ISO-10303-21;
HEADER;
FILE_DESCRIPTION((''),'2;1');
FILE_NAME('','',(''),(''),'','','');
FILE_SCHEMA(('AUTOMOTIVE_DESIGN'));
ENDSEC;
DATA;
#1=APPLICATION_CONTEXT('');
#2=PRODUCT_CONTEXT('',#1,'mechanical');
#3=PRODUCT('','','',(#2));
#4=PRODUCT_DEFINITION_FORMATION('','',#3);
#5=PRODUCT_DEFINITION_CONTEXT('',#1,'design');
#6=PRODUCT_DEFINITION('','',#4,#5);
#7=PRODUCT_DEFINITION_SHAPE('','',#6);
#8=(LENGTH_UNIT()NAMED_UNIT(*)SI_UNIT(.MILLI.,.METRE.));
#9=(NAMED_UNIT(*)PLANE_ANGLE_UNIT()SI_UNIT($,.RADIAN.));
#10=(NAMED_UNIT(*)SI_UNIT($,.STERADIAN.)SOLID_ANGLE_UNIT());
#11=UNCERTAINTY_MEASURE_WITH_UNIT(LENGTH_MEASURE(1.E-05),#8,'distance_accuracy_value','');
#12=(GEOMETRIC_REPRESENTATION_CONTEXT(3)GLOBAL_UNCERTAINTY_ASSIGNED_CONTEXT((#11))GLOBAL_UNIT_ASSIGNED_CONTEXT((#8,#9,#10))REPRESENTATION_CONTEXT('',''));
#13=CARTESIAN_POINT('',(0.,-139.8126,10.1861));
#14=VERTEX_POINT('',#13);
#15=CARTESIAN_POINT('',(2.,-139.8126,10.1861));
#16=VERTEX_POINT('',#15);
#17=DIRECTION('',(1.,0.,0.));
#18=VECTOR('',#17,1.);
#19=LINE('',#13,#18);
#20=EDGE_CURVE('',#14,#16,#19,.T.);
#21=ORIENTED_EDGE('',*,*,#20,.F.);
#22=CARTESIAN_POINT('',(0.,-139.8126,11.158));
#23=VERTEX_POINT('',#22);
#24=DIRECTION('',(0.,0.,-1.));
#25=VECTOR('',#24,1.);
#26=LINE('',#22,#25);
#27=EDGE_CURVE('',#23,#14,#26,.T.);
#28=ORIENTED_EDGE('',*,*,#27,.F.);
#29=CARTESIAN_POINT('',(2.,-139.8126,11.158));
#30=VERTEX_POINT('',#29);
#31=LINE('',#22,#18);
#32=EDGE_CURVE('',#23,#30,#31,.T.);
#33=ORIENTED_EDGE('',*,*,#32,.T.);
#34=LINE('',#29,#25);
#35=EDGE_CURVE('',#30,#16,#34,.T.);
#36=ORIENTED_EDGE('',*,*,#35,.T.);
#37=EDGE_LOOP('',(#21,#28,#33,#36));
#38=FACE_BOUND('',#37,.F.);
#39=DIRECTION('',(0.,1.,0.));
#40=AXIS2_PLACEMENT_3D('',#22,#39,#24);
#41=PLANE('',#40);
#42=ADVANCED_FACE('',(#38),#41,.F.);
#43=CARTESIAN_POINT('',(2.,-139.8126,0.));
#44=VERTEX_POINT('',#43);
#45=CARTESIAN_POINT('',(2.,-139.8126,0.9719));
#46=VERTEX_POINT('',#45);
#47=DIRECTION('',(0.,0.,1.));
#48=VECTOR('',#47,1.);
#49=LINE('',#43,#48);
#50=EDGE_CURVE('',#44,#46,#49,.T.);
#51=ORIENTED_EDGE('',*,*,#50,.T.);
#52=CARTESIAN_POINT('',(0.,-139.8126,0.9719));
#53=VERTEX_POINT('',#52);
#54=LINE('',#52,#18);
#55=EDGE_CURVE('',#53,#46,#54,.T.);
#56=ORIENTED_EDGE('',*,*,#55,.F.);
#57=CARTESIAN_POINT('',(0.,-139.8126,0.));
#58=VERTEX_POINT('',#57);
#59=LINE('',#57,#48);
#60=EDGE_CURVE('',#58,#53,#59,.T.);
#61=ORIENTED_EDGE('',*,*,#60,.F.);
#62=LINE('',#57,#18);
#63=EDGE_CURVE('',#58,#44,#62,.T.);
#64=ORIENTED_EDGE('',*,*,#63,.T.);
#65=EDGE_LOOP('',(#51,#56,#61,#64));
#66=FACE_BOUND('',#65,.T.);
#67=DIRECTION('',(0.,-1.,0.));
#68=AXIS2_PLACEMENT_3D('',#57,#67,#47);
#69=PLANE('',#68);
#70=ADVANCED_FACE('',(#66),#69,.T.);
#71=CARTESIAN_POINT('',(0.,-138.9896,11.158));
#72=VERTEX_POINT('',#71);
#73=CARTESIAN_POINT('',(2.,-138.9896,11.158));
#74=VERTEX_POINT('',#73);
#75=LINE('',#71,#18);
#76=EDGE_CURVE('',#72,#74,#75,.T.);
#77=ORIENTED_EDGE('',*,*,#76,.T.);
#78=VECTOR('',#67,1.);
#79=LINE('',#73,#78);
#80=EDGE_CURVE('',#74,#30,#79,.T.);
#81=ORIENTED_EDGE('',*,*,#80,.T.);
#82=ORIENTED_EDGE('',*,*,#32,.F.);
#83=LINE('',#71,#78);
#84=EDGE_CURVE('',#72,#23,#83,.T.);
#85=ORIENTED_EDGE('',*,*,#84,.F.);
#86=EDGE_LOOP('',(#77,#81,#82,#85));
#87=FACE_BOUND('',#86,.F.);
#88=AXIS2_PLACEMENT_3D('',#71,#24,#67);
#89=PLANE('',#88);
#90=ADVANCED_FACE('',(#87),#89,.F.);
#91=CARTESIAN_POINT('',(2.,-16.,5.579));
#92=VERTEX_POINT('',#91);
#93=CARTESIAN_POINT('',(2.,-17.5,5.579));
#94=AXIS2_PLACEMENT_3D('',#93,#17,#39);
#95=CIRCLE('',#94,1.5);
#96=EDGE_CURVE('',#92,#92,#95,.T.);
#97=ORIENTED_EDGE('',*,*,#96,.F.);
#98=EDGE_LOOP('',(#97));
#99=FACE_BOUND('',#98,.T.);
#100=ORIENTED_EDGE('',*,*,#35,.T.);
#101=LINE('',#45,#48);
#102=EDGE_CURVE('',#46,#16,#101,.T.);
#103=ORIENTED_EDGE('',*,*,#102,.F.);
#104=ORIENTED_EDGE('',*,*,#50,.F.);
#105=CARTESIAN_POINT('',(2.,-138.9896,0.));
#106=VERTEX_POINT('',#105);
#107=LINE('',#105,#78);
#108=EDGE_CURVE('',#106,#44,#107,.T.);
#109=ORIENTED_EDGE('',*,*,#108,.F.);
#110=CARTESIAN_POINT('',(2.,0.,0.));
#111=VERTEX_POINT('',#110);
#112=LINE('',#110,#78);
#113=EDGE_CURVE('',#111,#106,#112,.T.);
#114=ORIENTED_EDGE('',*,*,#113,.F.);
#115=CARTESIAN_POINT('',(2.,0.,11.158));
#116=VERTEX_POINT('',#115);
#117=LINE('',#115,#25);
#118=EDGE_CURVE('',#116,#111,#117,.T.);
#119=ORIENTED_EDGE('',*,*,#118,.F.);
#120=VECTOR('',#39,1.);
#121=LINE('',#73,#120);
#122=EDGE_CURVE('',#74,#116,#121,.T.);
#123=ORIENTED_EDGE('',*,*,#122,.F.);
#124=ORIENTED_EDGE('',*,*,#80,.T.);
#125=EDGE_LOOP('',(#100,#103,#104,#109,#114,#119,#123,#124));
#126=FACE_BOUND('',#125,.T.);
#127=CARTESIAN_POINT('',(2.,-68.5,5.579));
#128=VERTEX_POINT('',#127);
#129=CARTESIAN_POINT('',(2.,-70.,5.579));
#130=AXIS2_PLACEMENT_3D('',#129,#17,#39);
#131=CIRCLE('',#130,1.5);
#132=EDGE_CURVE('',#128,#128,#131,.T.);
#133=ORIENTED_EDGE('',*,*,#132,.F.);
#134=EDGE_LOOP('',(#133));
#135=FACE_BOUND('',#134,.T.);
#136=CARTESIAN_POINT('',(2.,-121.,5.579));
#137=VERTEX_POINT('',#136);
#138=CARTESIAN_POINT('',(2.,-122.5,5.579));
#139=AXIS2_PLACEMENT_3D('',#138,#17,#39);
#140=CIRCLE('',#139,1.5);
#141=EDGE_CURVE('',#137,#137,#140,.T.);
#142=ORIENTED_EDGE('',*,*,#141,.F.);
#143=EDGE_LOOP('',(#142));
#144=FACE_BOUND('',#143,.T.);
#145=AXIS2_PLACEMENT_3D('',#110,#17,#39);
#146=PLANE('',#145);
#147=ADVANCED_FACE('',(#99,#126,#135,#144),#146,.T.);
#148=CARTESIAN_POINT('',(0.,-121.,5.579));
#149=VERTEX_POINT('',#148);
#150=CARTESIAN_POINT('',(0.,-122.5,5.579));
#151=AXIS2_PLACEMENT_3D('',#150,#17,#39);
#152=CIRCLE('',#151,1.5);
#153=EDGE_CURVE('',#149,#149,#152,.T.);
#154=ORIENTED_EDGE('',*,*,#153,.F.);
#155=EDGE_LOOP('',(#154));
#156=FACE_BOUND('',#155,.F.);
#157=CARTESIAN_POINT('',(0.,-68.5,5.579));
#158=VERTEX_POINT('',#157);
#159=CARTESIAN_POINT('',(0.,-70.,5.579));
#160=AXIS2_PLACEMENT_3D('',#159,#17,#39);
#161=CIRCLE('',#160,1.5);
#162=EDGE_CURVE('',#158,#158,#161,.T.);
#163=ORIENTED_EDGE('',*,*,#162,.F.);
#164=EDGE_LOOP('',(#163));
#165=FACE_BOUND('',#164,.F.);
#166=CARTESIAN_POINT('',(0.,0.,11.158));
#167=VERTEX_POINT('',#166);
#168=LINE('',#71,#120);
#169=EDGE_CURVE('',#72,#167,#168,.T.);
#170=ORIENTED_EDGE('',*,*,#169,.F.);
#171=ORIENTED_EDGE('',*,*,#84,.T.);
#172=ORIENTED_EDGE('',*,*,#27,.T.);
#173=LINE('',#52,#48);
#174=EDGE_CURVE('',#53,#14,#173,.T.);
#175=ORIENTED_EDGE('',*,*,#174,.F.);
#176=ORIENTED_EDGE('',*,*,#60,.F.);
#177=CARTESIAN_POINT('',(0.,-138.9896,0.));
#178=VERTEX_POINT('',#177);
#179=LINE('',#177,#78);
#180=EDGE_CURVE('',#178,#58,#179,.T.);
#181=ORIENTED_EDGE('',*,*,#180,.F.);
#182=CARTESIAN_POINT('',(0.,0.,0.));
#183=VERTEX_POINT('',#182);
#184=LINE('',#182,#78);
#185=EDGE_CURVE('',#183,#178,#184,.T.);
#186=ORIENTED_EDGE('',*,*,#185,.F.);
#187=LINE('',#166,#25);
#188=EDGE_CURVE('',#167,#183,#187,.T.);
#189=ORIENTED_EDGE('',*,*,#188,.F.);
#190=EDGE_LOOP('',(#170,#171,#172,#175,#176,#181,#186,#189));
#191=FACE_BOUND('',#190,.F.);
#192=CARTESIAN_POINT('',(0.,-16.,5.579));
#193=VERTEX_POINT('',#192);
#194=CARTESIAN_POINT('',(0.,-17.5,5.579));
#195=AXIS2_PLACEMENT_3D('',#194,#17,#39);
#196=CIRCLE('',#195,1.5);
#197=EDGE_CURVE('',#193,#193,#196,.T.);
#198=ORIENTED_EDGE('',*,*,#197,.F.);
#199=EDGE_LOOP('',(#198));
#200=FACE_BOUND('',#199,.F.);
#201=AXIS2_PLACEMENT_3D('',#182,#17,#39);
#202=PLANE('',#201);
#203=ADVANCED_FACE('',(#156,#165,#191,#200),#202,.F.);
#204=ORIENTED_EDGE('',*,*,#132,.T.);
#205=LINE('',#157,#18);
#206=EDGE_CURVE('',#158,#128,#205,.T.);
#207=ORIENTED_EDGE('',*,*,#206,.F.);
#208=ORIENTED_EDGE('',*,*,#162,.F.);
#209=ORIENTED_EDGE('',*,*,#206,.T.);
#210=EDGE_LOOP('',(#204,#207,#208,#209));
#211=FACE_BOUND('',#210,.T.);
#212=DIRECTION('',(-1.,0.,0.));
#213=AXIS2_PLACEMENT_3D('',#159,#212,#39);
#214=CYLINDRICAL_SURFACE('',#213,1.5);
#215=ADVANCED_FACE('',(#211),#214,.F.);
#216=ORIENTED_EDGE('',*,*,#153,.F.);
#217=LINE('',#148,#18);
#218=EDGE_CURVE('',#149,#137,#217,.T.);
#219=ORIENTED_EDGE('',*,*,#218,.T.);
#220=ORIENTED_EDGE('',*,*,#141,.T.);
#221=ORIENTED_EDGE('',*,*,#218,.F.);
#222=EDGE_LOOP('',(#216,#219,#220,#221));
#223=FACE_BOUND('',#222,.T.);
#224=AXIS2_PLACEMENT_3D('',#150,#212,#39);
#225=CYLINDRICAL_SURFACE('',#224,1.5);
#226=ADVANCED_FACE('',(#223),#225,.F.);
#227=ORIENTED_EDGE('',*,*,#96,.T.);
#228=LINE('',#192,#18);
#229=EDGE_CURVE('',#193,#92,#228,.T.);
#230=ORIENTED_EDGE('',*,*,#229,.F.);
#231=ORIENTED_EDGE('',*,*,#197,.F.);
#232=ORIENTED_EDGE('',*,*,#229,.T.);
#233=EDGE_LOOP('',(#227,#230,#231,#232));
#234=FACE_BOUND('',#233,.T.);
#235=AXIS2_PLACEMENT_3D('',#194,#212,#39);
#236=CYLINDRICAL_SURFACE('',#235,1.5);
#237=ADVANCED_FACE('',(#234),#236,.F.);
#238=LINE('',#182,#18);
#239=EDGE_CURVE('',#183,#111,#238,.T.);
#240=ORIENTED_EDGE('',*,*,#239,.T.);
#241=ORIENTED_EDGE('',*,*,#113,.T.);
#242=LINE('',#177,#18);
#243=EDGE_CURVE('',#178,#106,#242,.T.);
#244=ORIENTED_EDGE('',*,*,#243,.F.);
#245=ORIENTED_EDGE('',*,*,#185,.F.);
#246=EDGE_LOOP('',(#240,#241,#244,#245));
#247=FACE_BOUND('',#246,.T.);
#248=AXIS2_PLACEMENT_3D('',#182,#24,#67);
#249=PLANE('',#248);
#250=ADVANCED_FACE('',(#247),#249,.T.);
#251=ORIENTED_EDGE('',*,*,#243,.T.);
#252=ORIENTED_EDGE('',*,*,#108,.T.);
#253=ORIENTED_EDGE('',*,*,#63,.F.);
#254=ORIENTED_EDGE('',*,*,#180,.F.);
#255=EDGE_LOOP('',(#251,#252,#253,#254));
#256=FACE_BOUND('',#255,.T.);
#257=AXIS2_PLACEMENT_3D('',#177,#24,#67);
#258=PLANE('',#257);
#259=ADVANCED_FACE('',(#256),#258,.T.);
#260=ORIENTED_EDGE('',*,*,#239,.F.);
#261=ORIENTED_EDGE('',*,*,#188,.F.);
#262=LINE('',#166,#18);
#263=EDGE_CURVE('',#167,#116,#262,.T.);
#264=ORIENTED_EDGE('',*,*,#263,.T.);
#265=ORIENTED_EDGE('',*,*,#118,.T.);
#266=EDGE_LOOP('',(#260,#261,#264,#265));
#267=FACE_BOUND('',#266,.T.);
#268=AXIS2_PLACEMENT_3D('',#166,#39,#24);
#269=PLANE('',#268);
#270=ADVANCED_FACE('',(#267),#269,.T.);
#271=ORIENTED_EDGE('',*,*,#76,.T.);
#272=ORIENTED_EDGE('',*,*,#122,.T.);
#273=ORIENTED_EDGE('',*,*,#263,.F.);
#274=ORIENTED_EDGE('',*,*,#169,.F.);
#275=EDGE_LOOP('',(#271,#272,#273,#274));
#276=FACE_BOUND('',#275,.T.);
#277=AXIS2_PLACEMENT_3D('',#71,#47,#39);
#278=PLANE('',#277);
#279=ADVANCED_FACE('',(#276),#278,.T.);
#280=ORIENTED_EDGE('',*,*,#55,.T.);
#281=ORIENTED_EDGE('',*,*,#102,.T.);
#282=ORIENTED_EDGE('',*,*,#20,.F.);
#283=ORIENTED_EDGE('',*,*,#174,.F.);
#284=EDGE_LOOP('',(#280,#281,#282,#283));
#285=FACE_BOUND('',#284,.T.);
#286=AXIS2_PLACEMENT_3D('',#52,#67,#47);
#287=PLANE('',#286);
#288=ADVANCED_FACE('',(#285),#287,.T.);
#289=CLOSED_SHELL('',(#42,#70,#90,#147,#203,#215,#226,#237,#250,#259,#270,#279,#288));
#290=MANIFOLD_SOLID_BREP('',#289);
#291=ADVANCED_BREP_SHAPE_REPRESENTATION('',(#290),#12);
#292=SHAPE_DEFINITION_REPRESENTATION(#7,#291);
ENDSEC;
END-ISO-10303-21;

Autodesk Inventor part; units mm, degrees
ref_plane "YZ Plane" through (0, 0, 0) normal (1, 0, 0) x (0, 1, 0)
ref_plane "XZ Plane" through (0, 0, 0) normal (0, 1, 0) x (-1, 0, 0)
ref_plane "XY Plane" through (0, 0, 0) normal (0, 0, 1) x (1, 0, 0)
sketch "Sketch2" plane through (0, 0, 0) normal (1, 0, 0) x (0, 1, 0)
  line L0 (-138.9896, 11.158) -> (0, 11.158)
  line L1 (-139.8126, 0.9719) -> (-139.8126, 10.1861)
  line L2 (0, 0) -> (-138.9896, 0)
  line L3 (0, 11.158) -> (0, 0)
  circle A0 centre (-122.5, 5.579) radius 1.5
  circle A1 centre (-70, 5.579) radius 1.5
  circle A2 centre (-17.5, 5.579) radius 1.5
  line L4 (-138.9896, 0) -> (-139.8126, 0)
  line L5 (-139.8126, 0) -> (-139.8126, 0.9719)
  line L6 (-138.9896, 11.158) -> (-139.8126, 11.158)
  line L7 (-139.8126, 11.158) -> (-139.8126, 10.1861)
extrude "Extrusion2" add sketch "Sketch2" along normal blind 2
properties part number "tutup_fin_fix"
